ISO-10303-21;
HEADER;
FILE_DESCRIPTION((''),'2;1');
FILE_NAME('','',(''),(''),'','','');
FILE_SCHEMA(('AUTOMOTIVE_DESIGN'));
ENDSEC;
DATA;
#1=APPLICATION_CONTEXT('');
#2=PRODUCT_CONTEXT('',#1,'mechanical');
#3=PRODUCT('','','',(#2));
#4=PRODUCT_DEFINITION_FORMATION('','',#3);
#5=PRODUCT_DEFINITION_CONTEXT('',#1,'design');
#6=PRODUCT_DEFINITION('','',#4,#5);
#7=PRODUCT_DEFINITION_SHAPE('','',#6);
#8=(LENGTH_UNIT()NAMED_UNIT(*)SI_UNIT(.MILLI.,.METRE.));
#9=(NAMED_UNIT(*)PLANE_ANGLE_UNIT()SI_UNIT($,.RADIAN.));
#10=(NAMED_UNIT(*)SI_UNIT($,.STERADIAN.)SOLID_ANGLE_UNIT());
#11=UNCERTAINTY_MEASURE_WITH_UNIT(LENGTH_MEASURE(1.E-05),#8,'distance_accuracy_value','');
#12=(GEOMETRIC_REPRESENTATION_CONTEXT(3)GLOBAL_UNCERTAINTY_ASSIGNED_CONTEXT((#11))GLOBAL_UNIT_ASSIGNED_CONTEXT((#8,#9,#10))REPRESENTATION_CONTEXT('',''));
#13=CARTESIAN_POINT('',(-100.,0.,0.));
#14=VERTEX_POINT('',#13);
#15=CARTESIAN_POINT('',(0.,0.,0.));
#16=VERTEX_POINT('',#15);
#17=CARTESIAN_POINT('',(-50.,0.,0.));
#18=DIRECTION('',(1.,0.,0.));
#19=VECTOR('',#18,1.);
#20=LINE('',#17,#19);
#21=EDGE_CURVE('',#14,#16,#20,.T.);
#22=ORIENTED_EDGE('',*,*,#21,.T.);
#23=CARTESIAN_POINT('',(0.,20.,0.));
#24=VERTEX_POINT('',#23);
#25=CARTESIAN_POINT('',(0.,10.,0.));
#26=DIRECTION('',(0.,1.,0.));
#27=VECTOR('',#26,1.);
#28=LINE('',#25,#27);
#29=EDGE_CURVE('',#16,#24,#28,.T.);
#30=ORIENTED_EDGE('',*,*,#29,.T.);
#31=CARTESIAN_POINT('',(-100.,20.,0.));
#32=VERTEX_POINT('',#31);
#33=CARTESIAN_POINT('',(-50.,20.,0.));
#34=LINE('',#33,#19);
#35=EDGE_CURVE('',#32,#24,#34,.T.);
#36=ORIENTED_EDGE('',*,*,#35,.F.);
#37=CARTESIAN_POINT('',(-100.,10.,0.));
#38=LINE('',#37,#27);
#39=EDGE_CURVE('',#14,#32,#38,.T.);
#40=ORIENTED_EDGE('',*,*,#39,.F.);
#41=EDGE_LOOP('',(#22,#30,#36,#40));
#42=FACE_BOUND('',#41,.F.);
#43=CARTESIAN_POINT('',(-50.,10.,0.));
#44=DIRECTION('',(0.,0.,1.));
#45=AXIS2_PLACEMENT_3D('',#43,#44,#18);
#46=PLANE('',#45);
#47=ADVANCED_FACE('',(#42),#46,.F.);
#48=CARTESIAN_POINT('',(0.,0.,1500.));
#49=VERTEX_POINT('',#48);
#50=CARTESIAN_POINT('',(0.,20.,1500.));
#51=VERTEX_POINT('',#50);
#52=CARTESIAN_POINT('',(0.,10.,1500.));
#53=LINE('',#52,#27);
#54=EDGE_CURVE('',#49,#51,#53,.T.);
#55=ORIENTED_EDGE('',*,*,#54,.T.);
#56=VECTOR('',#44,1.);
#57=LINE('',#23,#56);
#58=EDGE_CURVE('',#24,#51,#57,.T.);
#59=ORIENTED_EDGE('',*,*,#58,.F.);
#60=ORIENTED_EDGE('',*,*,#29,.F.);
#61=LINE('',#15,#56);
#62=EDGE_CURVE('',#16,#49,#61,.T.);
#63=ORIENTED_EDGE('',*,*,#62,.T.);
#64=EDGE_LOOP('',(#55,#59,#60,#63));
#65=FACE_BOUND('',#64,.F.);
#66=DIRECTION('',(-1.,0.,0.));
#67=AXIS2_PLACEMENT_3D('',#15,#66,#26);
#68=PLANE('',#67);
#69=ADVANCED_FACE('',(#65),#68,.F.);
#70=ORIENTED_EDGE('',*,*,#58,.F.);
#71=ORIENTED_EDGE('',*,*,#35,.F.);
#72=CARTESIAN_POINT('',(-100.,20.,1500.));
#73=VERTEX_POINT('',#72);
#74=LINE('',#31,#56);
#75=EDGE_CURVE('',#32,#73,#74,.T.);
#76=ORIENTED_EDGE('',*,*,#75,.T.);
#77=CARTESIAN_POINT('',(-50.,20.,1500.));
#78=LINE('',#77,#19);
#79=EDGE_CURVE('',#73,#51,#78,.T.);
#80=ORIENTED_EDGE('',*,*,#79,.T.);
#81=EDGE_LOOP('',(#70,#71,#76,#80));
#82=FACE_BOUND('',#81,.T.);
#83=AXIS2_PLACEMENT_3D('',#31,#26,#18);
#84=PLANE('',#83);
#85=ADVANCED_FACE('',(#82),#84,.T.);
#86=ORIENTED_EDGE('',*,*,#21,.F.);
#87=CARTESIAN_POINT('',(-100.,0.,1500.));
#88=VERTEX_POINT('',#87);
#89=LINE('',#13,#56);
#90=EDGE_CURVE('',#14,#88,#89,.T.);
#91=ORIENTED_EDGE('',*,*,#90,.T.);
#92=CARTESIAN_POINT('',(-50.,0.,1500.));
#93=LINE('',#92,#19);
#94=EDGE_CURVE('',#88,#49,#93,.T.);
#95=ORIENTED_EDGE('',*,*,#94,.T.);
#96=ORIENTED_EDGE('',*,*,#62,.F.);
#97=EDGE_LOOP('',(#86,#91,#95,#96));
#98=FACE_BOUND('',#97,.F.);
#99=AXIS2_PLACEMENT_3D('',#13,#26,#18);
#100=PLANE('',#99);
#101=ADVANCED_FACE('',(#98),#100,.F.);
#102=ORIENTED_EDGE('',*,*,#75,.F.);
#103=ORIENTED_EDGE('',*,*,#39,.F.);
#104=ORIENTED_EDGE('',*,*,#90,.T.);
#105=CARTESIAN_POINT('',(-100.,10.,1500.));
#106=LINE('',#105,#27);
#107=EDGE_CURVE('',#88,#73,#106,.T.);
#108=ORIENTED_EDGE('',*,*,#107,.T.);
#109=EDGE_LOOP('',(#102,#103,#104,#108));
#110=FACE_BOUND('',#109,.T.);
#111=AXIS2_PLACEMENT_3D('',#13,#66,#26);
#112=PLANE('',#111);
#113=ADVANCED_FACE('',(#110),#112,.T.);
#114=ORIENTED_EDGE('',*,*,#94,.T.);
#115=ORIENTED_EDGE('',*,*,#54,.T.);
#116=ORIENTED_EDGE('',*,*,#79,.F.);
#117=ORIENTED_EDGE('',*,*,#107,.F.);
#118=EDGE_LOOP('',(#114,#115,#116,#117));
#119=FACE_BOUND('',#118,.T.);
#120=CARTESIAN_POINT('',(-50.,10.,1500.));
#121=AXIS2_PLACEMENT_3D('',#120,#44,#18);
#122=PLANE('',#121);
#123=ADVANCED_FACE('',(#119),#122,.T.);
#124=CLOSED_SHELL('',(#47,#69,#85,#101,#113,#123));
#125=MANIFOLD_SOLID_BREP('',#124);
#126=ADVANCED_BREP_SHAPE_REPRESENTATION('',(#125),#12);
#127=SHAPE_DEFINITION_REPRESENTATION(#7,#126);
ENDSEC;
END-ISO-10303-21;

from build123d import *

# Parameters (mm, degrees)
SKETCH_W  = 100
SKETCH_H  = 20
PAD_DEPTH = 1500


with BuildPart() as part:
    # Sketch → Pad (new body)
    with BuildSketch(Plane.XY):
        with Locations((-50, 10)):
            Rectangle(SKETCH_W, SKETCH_H)
    extrude(amount=PAD_DEPTH)


solid = part.part
